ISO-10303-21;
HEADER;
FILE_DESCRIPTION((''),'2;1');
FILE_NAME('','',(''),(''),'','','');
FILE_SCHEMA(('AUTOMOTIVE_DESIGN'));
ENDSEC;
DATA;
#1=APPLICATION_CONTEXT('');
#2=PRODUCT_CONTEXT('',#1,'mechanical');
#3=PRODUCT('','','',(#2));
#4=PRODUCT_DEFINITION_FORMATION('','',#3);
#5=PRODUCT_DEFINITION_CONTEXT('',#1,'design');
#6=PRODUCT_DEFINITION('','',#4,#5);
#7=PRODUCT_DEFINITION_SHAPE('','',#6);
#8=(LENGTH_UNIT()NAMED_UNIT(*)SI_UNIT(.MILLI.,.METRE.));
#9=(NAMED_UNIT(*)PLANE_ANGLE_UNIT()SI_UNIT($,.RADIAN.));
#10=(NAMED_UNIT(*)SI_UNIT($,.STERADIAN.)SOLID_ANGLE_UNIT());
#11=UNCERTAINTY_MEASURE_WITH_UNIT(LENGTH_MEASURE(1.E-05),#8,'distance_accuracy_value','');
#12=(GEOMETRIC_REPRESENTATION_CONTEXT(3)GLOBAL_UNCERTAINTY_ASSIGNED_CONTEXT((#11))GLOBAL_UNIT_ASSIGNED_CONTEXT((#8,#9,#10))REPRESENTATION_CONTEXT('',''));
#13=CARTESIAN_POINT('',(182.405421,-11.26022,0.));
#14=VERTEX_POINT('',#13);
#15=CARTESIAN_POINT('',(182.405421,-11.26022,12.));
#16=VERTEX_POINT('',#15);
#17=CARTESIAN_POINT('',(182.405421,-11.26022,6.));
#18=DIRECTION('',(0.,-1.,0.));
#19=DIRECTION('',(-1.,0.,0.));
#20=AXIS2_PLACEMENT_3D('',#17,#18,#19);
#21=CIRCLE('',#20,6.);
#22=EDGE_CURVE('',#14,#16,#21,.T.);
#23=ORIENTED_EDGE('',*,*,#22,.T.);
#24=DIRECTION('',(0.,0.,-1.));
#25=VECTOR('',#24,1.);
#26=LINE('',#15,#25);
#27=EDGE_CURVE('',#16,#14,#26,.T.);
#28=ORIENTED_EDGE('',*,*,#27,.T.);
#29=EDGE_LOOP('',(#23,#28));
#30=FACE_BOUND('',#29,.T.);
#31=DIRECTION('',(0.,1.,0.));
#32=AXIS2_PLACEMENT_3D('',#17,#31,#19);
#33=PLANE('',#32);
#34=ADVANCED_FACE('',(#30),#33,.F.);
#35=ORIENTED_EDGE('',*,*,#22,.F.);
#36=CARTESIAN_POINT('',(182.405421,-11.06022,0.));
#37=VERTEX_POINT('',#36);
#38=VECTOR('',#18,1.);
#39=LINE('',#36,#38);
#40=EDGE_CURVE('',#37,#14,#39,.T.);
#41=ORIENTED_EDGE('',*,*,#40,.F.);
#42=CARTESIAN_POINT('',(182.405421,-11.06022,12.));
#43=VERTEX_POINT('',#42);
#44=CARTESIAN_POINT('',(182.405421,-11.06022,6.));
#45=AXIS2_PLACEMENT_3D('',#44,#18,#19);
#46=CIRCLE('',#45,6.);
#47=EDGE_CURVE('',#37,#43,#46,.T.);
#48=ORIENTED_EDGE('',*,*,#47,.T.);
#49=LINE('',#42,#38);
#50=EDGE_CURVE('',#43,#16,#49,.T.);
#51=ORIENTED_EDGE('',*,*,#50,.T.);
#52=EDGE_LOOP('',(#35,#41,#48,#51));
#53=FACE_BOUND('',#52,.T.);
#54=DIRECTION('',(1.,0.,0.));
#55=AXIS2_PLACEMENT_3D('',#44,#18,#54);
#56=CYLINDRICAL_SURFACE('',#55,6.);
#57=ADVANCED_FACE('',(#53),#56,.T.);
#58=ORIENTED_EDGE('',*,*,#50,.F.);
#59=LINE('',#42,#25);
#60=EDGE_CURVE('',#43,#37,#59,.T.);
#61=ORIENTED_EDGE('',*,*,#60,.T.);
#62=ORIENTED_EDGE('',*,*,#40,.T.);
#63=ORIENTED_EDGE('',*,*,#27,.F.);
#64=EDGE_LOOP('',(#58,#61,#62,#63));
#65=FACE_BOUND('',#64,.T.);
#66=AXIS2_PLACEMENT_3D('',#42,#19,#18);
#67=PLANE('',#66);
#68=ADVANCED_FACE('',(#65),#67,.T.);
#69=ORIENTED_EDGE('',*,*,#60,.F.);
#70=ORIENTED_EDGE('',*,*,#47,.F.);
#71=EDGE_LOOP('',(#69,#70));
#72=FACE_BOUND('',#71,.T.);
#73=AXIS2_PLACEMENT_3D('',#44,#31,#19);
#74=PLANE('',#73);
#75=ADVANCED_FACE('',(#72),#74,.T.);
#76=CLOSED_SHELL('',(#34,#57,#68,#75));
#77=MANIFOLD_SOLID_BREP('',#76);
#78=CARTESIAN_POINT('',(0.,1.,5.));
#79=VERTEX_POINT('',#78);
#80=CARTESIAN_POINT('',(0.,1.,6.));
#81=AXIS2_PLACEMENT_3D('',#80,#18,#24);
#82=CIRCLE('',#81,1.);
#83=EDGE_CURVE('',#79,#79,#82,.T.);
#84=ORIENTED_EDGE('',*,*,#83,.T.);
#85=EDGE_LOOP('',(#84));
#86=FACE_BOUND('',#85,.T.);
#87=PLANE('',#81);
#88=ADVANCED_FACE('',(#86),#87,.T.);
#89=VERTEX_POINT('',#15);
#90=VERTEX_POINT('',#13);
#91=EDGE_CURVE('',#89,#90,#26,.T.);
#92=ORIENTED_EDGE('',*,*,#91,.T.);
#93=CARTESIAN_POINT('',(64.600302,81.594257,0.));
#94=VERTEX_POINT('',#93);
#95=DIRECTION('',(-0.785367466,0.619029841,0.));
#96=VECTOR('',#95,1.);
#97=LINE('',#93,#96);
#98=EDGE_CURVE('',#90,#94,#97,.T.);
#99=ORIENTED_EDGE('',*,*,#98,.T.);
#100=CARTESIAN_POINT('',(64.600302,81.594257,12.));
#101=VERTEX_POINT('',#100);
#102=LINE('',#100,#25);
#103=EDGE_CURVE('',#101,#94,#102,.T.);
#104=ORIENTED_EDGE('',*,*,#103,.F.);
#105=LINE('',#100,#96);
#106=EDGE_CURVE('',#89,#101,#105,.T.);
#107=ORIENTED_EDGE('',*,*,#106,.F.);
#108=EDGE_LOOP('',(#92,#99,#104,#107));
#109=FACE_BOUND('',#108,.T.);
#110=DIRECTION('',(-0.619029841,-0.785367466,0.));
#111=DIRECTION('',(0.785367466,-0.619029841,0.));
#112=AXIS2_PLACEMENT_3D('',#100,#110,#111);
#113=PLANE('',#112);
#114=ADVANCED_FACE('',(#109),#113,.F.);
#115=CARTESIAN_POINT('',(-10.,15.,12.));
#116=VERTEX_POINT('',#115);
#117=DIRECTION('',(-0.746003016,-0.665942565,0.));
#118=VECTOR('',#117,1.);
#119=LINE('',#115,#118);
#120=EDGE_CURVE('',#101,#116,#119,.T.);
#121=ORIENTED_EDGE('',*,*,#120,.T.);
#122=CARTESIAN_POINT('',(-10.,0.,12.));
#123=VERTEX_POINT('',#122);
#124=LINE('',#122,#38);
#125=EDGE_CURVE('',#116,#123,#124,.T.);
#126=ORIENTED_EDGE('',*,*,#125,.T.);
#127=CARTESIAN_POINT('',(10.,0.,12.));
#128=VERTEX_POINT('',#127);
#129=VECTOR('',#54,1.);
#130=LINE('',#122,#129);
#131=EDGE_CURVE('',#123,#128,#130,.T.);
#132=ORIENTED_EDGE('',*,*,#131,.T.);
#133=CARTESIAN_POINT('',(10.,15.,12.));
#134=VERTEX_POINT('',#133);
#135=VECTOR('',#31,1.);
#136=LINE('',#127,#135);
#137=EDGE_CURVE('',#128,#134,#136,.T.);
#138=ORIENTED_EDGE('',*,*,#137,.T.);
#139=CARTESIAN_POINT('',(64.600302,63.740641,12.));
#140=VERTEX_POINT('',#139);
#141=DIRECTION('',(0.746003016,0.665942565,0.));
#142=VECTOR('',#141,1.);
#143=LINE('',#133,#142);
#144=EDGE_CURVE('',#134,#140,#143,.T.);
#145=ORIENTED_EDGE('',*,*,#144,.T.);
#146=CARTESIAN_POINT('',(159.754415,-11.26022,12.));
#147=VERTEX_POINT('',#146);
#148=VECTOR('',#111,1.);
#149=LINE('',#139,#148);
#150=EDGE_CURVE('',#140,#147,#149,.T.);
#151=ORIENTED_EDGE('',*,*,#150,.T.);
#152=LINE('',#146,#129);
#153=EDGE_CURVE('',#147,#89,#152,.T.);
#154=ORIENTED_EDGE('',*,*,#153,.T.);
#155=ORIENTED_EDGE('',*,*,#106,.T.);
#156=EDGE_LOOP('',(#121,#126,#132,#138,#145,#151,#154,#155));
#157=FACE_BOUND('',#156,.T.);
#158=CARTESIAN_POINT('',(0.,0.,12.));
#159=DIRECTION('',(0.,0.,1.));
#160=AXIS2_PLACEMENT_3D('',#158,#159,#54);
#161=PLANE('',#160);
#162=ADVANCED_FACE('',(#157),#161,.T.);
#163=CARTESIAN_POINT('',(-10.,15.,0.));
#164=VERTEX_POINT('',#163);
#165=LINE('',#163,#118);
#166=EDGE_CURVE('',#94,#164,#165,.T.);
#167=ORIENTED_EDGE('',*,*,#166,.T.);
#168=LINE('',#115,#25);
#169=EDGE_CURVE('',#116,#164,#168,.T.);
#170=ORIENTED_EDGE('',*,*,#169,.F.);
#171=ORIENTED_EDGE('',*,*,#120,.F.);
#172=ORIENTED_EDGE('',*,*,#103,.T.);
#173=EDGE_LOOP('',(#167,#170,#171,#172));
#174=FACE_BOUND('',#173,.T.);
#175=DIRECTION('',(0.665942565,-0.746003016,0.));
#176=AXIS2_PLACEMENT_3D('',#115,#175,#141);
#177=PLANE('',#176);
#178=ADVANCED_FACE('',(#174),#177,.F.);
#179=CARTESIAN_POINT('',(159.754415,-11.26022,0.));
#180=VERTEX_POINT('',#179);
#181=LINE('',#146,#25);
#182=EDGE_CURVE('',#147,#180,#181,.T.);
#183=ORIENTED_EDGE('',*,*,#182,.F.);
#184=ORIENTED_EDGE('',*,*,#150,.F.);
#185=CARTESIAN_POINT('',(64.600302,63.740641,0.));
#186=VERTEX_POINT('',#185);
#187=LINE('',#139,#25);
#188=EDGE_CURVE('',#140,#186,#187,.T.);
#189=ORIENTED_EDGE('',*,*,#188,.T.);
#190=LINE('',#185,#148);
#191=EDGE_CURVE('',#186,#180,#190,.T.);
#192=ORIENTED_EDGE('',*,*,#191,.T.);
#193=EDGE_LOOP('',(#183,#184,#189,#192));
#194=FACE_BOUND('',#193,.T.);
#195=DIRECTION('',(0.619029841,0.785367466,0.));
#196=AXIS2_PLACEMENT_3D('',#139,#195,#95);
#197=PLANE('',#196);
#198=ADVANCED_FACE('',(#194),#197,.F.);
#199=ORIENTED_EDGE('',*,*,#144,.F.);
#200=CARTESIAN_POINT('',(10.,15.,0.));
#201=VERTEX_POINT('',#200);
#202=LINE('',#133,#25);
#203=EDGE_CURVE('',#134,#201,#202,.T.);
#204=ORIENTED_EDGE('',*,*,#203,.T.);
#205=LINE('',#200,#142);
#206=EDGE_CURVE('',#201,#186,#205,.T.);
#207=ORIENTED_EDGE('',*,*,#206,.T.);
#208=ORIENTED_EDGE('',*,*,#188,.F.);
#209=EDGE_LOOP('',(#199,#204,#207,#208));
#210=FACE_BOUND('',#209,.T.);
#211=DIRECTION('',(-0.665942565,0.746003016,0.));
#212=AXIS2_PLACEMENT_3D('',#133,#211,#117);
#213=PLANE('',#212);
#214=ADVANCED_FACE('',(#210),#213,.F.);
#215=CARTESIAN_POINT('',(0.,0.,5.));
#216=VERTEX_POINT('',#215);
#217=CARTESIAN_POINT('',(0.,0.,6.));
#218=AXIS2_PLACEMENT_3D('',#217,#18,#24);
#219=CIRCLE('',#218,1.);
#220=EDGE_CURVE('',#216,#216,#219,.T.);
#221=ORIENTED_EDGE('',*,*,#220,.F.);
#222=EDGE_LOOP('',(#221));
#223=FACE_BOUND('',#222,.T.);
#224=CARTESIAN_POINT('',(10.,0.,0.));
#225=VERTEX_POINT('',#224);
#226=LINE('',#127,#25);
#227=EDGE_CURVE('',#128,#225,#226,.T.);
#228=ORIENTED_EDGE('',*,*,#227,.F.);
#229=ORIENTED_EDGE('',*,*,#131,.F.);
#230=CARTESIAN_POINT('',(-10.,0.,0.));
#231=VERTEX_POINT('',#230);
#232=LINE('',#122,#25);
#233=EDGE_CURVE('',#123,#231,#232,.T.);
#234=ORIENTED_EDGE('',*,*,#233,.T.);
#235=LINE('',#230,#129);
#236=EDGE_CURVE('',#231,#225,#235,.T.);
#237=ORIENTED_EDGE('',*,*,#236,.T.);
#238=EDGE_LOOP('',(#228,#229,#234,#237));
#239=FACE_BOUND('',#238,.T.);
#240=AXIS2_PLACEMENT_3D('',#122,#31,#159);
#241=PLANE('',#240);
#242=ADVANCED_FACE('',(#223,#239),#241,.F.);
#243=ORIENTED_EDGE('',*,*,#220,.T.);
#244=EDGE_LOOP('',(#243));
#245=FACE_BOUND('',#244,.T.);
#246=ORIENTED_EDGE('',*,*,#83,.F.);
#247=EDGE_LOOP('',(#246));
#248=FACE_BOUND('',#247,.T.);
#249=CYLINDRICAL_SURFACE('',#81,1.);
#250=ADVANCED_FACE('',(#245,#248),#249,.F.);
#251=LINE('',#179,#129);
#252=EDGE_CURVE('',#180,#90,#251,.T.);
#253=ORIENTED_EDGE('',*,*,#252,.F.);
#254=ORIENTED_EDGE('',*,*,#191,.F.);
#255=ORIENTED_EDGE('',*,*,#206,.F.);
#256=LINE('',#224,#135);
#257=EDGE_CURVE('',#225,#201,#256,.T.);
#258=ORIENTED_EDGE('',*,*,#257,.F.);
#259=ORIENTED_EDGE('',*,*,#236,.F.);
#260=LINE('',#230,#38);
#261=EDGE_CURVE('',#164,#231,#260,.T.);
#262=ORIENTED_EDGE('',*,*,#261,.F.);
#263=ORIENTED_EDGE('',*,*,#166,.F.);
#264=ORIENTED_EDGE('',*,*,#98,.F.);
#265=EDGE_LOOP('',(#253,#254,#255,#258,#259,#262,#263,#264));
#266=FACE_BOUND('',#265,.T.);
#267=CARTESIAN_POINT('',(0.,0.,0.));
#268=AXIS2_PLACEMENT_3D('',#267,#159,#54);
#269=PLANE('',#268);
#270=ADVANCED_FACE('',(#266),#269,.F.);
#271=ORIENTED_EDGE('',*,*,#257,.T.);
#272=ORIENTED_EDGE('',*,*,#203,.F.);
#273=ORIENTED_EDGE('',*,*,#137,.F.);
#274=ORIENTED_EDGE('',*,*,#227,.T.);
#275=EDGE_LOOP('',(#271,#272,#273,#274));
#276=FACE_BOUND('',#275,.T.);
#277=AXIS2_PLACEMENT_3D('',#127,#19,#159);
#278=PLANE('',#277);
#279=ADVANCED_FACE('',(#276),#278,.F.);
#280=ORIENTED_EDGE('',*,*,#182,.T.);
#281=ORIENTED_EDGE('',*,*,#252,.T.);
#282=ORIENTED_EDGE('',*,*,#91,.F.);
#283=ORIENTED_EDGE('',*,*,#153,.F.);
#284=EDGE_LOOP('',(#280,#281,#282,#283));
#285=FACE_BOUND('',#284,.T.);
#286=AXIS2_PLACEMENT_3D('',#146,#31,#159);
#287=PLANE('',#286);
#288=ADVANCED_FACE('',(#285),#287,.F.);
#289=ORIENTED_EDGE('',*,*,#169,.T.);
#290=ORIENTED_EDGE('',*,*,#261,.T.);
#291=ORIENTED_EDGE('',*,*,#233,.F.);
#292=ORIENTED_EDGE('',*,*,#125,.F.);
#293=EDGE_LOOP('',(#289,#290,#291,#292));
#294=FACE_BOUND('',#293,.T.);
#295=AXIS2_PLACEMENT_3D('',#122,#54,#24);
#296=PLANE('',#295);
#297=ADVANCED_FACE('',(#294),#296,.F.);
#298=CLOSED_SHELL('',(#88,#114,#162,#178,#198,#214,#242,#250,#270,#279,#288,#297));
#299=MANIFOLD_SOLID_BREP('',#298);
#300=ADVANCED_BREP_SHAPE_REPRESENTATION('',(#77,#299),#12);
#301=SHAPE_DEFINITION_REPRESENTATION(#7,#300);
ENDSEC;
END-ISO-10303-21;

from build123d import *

# Parameters (mm, degrees)
BOSS_EXTRUDE1_DEPTH = 12
BOSS_EXTRUDE2_DEPTH = 0.2
SKETCH4_R           = 1
CUT_EXTRUDE1_DEPTH  = 1


with BuildPart() as part:
    # Sketch1 → Boss-Extrude1 (new body)
    with BuildSketch(Plane.XY):
        Polygon((-10, 0), (-10, 15), (64.600301578, 81.594256543), (182.405421436, -11.260219575), (159.754414724, -11.260219575), (64.600301578, 63.740640637), (10, 15), (10, 0), align=None)
    extrude(amount=BOSS_EXTRUDE1_DEPTH)

    # Sketch4 → Cut-Extrude1 (cut)
    with BuildSketch(Plane.XZ):
        with Locations((0, 6)):
            Circle(SKETCH4_R)
    extrude(amount=-CUT_EXTRUDE1_DEPTH, mode=Mode.SUBTRACT)


with BuildPart() as body_2:
    # Sketch3 → Boss-Extrude2 (new body)
    with BuildSketch(Plane.XZ.offset(11.260219575)):
        with BuildLine():
            Line((182.405421436, 12), (182.405421436, 0))
            ThreePointArc((182.405421436, 0), (188.405421436, 6), (182.405421436, 12))
        make_face()
    extrude(amount=-BOSS_EXTRUDE2_DEPTH)


solid = Compound([part.part, body_2.part])
